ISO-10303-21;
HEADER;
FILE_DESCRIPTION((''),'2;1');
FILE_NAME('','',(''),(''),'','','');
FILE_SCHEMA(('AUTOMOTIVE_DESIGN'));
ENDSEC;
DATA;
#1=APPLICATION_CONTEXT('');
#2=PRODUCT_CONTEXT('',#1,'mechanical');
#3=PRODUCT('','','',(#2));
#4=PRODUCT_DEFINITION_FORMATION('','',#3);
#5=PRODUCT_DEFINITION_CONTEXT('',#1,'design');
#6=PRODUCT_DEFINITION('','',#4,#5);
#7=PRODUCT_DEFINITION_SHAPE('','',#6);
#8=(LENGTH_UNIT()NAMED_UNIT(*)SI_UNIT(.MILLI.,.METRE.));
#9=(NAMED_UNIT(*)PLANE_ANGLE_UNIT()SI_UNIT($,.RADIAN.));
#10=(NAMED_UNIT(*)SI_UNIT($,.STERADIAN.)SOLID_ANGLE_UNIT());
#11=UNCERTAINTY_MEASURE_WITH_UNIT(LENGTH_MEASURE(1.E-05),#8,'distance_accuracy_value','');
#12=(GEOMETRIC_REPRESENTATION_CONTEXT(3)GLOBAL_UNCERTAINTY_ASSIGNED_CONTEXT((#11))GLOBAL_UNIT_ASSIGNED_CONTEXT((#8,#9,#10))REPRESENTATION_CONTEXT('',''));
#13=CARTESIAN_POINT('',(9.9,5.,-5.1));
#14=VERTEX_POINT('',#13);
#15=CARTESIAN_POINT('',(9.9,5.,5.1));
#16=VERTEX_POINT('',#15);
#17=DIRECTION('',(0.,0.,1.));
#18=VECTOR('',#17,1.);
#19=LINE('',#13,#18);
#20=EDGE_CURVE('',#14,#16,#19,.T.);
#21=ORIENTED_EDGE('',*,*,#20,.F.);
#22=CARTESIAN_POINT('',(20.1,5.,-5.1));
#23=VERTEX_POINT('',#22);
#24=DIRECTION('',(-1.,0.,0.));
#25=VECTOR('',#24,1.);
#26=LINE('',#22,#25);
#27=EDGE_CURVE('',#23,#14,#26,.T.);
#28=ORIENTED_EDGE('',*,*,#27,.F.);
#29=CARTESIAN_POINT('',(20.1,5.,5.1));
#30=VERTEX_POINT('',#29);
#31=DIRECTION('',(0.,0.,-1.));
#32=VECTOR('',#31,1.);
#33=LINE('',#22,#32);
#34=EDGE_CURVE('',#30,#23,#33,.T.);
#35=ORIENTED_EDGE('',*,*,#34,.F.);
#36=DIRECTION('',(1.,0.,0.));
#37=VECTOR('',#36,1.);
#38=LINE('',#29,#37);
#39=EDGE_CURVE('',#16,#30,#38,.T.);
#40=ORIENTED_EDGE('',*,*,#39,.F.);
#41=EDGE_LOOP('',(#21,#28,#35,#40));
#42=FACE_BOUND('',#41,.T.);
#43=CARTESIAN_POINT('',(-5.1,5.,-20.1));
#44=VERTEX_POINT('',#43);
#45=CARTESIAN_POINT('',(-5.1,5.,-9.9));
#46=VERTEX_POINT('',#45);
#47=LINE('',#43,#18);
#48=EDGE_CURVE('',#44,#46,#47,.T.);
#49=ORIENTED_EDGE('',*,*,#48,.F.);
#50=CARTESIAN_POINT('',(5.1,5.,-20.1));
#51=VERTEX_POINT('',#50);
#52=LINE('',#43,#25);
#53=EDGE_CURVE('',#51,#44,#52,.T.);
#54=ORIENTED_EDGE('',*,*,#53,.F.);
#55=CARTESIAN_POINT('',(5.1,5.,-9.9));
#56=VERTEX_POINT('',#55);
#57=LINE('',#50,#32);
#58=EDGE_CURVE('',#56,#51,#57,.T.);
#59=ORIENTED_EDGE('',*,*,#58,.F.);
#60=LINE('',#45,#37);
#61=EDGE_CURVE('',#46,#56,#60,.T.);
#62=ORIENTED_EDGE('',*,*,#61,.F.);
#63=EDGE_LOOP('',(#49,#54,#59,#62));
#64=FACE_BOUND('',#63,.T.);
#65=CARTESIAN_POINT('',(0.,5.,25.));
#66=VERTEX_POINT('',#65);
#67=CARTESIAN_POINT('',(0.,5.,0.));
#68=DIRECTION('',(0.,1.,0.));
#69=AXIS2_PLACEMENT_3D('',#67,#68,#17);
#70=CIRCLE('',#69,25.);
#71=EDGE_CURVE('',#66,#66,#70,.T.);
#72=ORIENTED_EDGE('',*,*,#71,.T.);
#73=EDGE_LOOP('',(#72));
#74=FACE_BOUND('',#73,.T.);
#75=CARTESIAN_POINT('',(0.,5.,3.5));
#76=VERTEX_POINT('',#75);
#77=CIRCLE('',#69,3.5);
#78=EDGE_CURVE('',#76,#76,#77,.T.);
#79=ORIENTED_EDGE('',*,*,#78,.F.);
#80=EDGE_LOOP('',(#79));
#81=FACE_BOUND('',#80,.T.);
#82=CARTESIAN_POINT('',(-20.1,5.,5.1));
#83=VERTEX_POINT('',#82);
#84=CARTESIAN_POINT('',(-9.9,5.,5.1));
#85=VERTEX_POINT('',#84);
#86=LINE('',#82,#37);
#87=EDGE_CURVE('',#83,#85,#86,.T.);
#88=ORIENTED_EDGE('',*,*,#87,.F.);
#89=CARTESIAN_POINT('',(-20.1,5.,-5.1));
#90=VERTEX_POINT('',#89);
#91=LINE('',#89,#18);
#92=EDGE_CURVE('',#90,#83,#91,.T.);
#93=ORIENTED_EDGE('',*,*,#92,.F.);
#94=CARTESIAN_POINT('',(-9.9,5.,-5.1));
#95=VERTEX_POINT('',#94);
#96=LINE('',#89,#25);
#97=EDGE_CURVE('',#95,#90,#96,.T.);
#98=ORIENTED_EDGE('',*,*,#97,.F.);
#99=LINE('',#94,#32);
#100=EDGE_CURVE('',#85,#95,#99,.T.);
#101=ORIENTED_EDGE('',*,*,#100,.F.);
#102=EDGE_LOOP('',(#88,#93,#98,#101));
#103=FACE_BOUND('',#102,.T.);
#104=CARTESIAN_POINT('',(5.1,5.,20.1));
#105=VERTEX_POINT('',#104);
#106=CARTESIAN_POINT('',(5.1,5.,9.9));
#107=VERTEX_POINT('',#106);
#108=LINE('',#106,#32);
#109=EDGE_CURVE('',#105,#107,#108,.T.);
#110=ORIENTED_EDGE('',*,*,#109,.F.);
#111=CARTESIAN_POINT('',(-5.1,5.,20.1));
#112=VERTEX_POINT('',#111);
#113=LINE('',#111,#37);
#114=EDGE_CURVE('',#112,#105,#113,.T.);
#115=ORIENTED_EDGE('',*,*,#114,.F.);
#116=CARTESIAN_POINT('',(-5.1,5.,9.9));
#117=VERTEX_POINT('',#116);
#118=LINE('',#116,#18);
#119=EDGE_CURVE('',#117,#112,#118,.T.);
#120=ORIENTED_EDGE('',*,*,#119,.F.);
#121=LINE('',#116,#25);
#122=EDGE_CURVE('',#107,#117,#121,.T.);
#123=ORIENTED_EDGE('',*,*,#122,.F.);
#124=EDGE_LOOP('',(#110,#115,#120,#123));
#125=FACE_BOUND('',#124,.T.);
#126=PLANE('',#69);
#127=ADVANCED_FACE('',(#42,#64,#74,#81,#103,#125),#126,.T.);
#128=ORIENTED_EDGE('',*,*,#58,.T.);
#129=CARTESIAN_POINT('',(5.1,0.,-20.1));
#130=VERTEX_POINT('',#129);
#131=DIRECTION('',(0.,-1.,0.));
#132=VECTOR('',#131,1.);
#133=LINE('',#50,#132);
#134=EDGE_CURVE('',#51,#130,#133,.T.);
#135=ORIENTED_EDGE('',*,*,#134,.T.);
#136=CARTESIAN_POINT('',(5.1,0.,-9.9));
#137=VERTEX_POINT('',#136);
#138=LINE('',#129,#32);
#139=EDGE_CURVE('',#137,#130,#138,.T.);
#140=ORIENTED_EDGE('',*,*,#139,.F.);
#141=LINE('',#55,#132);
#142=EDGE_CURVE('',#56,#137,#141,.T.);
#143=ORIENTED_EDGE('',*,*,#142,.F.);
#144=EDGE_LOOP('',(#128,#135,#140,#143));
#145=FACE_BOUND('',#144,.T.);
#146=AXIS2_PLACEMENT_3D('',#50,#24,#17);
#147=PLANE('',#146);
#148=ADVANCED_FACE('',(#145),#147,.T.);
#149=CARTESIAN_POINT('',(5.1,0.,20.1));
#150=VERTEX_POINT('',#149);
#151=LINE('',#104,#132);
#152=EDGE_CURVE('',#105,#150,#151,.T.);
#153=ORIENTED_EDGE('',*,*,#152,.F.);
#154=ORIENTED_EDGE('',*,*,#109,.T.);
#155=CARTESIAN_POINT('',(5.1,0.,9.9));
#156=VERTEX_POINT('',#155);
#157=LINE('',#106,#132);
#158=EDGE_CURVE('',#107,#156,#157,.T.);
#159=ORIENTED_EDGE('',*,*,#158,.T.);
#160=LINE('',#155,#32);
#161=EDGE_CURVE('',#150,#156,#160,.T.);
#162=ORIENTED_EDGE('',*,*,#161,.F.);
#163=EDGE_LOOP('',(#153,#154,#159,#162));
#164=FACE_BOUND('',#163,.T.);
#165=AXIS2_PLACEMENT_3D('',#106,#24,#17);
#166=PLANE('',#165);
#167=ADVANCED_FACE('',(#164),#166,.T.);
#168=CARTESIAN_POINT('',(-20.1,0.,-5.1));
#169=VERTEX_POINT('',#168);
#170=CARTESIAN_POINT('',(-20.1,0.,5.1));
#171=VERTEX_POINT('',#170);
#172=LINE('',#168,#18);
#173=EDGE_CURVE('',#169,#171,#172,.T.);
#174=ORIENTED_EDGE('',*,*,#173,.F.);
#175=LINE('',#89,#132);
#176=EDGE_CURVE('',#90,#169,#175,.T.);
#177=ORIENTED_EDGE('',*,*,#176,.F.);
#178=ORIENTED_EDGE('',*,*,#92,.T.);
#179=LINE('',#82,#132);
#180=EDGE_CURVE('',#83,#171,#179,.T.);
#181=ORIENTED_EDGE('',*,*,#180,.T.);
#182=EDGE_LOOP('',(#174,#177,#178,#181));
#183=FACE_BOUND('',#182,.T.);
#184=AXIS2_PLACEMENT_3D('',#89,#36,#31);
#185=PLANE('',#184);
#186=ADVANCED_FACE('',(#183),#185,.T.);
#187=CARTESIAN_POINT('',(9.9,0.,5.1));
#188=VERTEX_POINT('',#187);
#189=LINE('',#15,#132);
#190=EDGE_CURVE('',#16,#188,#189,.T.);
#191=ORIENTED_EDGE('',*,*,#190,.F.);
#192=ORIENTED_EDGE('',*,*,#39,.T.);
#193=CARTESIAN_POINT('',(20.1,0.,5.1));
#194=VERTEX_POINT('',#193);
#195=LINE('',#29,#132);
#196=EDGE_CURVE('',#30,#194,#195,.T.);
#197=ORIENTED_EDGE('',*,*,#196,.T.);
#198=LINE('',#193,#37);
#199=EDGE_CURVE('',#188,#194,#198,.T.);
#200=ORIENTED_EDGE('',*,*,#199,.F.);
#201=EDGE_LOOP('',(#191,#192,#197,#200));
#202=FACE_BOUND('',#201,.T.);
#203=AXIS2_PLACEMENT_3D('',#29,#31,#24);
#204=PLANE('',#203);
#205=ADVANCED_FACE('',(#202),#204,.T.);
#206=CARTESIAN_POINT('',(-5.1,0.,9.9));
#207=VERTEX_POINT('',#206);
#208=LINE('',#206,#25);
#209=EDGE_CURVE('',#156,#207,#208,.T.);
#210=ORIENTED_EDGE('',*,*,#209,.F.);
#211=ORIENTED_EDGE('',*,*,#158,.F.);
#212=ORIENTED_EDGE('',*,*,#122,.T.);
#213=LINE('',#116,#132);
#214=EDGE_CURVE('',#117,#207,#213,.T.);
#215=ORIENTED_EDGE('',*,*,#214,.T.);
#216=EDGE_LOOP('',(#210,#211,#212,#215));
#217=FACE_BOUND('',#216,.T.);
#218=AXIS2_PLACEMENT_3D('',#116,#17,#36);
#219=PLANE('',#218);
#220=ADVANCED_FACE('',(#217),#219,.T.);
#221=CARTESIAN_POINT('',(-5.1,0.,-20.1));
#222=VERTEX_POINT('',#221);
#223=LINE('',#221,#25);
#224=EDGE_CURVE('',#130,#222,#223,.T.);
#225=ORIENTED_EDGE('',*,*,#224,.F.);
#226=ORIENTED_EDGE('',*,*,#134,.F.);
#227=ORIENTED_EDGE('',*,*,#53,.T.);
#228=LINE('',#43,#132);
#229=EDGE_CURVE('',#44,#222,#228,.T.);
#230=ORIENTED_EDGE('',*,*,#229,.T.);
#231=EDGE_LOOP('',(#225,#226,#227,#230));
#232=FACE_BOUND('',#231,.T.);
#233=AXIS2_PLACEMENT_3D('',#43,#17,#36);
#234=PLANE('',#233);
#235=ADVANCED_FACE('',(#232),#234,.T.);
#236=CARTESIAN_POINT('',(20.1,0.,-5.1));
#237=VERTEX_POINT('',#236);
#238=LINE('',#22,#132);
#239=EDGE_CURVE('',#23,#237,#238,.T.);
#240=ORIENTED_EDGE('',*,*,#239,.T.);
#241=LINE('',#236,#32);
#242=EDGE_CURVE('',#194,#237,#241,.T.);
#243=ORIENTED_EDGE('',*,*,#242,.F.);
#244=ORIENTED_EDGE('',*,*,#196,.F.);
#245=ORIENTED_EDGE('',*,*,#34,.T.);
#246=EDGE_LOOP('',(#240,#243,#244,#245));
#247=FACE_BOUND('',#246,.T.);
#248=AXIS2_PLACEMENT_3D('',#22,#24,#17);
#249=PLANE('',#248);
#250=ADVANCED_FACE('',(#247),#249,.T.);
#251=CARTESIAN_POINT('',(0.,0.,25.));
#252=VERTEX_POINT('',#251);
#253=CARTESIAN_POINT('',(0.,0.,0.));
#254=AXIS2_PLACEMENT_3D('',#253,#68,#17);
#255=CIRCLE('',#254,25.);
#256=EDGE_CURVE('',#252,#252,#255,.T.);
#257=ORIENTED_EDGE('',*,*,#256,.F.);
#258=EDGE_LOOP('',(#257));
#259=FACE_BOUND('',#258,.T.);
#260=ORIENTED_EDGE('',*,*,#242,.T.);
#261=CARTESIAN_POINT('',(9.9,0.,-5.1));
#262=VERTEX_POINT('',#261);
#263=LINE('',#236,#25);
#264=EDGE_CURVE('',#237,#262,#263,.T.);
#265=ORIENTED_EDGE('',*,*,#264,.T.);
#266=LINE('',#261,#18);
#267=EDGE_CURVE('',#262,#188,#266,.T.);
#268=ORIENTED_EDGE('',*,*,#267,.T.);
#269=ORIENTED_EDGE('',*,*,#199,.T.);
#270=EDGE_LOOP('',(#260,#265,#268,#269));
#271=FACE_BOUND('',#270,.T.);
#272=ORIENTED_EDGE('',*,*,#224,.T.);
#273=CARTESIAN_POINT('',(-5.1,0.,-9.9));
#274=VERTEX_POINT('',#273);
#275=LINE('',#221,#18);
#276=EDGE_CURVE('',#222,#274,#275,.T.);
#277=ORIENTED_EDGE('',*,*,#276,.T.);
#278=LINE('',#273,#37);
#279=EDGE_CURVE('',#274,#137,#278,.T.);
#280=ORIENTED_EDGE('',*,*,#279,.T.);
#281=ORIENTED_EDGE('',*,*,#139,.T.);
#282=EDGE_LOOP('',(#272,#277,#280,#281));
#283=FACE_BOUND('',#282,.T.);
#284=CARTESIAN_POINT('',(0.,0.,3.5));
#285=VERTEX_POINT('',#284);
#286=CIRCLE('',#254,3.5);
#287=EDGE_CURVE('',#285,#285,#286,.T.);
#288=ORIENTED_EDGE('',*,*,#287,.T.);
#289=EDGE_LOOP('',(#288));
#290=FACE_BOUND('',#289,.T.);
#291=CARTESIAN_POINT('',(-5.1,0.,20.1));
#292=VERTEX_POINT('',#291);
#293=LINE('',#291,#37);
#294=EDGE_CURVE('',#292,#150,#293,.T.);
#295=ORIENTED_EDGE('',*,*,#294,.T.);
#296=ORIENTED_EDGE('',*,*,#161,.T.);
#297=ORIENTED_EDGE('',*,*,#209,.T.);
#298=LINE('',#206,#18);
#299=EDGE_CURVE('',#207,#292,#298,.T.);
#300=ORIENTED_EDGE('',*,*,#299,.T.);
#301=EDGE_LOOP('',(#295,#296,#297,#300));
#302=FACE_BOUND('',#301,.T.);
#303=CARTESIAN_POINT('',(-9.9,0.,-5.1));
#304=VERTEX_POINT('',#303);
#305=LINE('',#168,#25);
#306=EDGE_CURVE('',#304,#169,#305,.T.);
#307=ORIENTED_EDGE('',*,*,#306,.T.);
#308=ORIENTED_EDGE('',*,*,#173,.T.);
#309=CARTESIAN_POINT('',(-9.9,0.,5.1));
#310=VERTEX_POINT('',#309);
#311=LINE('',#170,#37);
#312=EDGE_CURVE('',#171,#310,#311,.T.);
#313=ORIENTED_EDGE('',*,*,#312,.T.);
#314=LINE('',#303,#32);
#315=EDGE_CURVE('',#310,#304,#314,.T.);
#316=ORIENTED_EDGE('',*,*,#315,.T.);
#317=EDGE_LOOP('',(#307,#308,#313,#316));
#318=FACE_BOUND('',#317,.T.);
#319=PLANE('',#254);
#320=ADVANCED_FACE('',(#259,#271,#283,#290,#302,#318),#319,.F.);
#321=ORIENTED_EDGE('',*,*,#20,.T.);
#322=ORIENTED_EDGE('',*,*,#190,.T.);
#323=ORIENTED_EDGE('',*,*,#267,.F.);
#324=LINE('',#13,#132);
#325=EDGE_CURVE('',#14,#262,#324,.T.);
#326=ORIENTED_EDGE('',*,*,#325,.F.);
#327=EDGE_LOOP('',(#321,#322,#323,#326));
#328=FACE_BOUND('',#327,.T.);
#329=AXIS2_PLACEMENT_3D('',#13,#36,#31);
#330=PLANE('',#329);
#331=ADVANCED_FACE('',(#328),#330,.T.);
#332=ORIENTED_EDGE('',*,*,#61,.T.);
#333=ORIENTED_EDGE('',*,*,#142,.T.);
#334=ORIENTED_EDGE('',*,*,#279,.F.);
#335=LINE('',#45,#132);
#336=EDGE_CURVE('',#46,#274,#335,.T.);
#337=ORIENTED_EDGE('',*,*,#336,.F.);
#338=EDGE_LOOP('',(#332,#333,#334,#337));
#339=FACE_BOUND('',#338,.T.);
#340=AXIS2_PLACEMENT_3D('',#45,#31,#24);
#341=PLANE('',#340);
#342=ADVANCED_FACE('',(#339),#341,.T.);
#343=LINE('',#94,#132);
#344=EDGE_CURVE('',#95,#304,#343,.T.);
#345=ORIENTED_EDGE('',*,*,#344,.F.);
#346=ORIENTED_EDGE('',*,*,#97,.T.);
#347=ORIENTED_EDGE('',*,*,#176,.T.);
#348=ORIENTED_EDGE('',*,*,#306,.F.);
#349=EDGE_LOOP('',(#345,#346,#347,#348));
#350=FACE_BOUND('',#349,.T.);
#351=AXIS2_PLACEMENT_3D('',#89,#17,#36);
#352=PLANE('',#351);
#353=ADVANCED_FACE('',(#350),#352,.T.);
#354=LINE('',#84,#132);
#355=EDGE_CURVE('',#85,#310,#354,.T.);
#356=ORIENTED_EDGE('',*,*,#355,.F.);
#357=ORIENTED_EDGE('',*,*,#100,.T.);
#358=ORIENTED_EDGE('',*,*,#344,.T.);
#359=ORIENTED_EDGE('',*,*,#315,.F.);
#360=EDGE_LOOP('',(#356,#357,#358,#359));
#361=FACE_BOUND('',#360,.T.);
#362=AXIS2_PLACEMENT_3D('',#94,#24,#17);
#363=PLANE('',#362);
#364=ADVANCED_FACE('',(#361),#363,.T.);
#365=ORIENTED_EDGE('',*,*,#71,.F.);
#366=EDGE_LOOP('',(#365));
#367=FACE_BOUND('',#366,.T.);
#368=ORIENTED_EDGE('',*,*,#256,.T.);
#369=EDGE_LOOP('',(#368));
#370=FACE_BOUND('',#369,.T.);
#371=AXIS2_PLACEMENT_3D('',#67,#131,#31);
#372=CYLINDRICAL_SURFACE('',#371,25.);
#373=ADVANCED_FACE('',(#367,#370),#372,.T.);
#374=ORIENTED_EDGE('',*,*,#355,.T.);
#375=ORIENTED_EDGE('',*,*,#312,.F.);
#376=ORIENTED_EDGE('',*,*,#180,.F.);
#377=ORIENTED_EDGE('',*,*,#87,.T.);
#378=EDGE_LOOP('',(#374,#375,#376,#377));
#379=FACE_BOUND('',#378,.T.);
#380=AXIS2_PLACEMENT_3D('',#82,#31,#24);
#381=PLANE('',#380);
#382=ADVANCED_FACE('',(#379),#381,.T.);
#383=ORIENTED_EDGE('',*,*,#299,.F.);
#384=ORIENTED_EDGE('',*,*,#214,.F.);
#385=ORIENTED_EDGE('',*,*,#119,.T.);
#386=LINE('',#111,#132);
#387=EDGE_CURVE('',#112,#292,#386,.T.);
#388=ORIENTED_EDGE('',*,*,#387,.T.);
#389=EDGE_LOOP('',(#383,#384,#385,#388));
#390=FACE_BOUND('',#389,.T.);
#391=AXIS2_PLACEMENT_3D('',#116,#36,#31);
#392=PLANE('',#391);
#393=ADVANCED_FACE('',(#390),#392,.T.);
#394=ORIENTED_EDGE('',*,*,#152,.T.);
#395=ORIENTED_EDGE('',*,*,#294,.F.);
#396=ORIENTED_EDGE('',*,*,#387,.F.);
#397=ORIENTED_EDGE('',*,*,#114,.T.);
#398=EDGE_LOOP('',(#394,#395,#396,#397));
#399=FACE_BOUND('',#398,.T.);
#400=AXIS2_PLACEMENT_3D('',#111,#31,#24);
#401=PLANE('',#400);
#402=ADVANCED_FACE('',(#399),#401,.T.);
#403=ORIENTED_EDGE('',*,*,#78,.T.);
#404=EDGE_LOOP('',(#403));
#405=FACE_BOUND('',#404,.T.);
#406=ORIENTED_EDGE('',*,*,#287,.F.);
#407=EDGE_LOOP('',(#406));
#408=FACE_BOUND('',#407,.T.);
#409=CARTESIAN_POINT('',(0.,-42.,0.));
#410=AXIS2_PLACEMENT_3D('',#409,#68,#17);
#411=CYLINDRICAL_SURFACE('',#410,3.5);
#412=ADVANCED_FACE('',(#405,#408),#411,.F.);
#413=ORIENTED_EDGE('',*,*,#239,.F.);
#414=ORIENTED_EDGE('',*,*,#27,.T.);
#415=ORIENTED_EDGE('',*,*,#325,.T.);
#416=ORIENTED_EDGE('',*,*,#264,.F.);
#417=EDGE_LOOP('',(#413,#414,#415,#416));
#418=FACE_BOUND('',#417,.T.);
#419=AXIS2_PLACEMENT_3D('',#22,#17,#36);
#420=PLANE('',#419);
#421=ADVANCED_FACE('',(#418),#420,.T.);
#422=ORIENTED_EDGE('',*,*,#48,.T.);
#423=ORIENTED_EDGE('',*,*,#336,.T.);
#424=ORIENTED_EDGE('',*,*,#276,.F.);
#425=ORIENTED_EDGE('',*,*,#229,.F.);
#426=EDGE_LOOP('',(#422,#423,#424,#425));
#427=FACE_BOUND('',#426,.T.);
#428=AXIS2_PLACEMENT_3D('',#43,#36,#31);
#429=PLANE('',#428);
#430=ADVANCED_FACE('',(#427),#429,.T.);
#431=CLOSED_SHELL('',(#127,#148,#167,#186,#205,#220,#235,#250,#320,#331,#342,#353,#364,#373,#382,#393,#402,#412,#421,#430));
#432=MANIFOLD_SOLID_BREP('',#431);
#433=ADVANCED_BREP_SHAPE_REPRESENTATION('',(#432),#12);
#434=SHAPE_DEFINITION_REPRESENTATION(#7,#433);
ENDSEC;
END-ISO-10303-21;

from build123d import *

# Parameters (mm, degrees)
CROQUIS1_R              = 25
CROQUIS1_W              = 10.2
CROQUIS1_H              = 10.2
SALIENTE_EXTRUIR1_DEPTH = 5
CROQUIS2_R              = 3.5
CORTAR_EXTRUIR1_DEPTH   = 47


with BuildPart() as part:
    # Croquis1 → Saliente-Extruir1 (new body)
    with BuildSketch(Plane(origin=(0, 0, 0), x_dir=(1, 0, 0), z_dir=(0, 1, 0))):
        Circle(CROQUIS1_R)
        with Locations((-15, 0)):
            Rectangle(CROQUIS1_W, CROQUIS1_H, mode=Mode.SUBTRACT)
        with Locations((15, 0)):
            Rectangle(CROQUIS1_W, CROQUIS1_H, mode=Mode.SUBTRACT)
        with Locations((0, 15)):
            Rectangle(CROQUIS1_W, CROQUIS1_H, mode=Mode.SUBTRACT)
        with Locations((0, -15)):
            Rectangle(CROQUIS1_W, CROQUIS1_H, mode=Mode.SUBTRACT)
    extrude(amount=SALIENTE_EXTRUIR1_DEPTH)

    # Croquis2 → Cortar-Extruir1 (cut)
    with BuildSketch(Plane(origin=(0, 5, 0), x_dir=(1, 0, 0), z_dir=(0, 1, 0))):
        Circle(CROQUIS2_R)
    extrude(amount=-CORTAR_EXTRUIR1_DEPTH, mode=Mode.SUBTRACT)


solid = part.part
